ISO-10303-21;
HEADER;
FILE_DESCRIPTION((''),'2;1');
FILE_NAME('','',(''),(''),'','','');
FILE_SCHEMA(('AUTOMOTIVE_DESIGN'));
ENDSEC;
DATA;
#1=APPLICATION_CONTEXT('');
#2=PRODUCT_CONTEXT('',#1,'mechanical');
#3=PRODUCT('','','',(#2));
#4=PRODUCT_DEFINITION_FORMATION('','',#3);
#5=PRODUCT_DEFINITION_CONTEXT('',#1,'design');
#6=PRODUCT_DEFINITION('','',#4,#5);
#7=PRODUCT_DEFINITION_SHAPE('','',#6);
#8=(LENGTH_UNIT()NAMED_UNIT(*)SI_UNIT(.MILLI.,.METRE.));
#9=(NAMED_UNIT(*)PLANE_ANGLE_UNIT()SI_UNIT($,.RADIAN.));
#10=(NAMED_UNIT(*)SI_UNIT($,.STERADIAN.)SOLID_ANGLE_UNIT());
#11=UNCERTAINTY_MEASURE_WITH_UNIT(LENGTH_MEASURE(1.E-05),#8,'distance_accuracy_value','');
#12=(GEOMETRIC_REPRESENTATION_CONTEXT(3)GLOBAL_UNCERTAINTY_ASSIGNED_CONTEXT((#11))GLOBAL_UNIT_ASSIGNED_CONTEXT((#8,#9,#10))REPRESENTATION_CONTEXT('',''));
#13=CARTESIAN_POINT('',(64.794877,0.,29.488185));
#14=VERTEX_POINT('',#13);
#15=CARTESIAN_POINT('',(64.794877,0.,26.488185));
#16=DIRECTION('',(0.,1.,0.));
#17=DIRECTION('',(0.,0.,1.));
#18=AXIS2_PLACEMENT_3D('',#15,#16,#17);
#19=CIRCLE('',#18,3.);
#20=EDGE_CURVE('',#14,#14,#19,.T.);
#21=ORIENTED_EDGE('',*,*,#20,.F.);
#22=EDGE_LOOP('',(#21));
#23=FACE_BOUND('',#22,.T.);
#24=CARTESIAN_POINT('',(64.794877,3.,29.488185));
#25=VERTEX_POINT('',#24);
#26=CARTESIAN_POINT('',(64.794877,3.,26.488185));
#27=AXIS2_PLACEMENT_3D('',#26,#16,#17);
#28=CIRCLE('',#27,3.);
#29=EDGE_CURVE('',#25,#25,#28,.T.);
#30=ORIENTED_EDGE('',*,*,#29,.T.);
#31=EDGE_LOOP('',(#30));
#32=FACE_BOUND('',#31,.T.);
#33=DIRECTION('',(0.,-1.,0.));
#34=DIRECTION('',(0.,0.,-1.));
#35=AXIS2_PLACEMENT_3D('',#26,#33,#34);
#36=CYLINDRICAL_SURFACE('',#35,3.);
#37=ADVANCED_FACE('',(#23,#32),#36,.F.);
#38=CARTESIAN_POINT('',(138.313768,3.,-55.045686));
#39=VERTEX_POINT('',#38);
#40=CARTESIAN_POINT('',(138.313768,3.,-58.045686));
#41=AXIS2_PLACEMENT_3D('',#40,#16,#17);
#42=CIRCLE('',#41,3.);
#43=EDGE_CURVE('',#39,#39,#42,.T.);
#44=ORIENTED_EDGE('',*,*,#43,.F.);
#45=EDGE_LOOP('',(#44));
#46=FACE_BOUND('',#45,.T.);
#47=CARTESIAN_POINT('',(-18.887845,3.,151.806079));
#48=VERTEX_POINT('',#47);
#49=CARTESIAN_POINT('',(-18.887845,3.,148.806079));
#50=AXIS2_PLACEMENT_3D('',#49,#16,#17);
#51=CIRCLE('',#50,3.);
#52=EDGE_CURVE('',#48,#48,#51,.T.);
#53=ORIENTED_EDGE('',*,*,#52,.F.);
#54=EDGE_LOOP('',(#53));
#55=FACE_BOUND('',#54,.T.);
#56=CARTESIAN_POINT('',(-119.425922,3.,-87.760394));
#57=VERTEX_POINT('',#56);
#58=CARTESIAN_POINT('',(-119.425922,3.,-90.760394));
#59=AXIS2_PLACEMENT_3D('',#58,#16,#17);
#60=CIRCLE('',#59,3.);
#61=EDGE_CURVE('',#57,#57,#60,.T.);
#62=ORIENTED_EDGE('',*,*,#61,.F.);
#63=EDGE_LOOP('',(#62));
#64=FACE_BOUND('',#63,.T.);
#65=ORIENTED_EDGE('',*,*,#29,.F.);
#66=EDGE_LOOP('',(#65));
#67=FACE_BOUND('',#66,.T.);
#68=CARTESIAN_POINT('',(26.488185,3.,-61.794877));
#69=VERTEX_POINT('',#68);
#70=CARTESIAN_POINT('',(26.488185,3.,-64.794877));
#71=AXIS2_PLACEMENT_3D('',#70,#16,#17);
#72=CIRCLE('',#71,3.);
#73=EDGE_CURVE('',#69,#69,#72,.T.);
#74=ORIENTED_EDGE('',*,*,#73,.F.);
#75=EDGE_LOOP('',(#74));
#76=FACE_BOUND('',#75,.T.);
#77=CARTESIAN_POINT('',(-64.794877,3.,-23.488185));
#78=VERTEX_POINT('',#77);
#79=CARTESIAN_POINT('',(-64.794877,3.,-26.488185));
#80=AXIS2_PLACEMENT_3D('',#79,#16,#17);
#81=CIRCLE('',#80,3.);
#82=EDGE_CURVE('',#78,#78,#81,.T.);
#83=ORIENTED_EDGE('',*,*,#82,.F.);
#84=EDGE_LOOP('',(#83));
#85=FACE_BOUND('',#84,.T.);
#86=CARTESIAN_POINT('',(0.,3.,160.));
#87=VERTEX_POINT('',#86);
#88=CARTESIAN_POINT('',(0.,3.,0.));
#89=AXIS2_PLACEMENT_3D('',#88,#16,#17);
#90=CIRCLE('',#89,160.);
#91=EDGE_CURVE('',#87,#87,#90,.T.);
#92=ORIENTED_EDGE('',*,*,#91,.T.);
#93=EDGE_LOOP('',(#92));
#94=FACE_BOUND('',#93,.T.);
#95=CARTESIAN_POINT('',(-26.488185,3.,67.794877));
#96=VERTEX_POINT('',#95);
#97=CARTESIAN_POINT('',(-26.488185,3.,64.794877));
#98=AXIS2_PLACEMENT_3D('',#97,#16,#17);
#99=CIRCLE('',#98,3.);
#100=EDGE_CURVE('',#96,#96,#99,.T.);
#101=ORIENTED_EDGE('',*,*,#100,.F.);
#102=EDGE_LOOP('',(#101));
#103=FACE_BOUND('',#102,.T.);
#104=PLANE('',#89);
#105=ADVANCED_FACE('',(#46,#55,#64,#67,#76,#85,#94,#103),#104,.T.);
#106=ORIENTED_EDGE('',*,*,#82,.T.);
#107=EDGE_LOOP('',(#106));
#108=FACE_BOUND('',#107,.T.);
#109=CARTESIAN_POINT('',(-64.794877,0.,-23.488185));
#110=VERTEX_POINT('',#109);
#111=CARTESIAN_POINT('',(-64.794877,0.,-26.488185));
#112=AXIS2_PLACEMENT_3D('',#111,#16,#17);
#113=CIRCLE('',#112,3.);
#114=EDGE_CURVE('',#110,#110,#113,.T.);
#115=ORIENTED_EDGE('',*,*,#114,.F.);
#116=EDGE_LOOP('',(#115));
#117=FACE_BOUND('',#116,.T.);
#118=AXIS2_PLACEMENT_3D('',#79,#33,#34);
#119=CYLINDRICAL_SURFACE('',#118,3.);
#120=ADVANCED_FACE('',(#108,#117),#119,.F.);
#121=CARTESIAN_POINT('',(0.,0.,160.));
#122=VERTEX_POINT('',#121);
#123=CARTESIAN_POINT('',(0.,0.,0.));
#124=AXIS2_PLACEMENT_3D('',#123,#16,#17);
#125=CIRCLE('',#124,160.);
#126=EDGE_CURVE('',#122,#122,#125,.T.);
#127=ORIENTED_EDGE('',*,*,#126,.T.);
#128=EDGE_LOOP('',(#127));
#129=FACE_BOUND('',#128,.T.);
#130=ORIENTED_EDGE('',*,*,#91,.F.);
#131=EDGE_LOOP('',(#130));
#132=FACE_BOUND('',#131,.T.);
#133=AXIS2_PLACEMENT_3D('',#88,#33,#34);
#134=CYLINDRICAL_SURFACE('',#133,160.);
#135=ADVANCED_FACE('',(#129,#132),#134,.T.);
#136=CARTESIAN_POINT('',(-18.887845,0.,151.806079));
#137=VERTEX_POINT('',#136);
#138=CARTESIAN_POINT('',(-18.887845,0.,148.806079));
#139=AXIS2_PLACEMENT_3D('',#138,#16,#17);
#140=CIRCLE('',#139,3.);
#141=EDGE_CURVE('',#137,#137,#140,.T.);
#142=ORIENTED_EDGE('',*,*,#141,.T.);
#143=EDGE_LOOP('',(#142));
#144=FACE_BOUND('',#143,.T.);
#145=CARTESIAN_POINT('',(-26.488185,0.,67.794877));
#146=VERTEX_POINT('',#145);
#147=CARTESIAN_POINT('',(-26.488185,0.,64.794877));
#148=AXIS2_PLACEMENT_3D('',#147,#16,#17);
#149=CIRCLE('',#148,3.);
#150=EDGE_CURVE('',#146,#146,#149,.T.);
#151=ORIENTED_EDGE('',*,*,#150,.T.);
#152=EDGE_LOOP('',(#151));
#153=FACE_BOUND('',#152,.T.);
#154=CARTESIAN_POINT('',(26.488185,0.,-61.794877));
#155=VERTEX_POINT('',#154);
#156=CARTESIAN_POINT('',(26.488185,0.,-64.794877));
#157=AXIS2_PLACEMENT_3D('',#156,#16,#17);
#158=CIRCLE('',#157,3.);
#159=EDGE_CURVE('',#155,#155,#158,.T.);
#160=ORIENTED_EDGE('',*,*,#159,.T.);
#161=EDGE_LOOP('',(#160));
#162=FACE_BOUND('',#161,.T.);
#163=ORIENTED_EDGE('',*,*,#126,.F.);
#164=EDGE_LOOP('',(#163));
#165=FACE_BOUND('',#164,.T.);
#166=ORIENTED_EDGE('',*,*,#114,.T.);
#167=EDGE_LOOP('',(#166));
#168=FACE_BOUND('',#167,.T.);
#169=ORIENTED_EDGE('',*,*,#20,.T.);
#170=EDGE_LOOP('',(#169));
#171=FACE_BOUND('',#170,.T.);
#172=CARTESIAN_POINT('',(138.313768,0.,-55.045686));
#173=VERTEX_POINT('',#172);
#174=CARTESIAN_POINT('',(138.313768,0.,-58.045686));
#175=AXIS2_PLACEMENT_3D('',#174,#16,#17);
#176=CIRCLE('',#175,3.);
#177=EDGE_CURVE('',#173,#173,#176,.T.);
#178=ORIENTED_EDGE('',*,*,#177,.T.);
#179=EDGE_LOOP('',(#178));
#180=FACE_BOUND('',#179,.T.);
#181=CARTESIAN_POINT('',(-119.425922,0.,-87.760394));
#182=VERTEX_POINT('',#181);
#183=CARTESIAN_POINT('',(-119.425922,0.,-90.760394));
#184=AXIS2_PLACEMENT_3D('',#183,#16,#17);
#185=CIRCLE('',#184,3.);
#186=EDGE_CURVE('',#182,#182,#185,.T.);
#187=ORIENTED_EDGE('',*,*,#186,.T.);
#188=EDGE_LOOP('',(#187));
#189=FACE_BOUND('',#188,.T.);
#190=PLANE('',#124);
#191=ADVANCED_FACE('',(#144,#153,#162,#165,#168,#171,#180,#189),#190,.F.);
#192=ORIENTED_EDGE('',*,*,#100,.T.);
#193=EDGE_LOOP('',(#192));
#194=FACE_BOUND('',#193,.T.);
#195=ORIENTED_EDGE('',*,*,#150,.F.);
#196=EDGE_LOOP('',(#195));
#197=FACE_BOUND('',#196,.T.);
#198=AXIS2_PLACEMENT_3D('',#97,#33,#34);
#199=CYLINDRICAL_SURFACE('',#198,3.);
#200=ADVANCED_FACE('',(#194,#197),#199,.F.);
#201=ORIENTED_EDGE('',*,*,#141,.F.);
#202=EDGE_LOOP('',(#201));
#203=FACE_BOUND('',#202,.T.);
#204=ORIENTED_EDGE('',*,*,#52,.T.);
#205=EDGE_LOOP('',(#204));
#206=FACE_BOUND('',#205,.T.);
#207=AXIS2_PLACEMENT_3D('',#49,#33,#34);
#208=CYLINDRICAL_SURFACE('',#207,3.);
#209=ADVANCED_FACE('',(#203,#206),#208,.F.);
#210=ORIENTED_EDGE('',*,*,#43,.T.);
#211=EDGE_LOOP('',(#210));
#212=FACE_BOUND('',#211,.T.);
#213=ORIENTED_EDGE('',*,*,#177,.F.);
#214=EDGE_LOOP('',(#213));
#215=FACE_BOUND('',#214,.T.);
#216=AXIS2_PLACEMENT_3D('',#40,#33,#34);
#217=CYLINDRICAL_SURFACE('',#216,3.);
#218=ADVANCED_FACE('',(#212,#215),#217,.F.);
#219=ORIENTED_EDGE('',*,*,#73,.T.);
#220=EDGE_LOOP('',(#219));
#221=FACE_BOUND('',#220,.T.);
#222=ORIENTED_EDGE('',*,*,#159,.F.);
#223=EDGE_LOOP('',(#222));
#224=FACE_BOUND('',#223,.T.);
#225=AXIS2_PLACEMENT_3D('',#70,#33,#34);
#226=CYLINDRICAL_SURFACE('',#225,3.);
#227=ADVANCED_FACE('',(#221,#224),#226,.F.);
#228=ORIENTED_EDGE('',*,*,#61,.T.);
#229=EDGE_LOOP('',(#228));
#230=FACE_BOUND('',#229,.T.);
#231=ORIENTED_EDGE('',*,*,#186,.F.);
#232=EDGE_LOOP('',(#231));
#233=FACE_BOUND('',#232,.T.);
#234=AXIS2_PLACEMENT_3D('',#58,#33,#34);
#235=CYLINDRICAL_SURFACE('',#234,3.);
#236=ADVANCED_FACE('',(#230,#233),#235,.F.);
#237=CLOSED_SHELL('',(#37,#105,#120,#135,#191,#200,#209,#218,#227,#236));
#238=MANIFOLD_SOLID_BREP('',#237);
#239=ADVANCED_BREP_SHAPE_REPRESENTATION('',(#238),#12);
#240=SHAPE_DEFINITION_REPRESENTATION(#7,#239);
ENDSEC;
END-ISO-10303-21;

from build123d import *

# Parameters (mm, degrees)
CROQUIS1_R              = 160
CROQUIS1_R_2            = 3
SALIENTE_EXTRUIR2_DEPTH = 3


with BuildPart() as part:
    # Croquis1 → Saliente-Extruir2 (new body)
    with BuildSketch(Plane(origin=(0, 0, 0), x_dir=(1, 0, 0), z_dir=(0, 1, 0))):
        Circle(CROQUIS1_R)
        with Locations((138.31376779, 58.045685797)):
            Circle(CROQUIS1_R_2, mode=Mode.SUBTRACT)
        with Locations((-18.887845415, -148.806079498)):
            Circle(CROQUIS1_R_2, mode=Mode.SUBTRACT)
        with Locations((-64.794876894, 26.488184691)):
            Circle(CROQUIS1_R_2, mode=Mode.SUBTRACT)
        with Locations((26.488184691, 64.794876894)):
            Circle(CROQUIS1_R_2, mode=Mode.SUBTRACT)
        with Locations((64.794876894, -26.488184691)):
            Circle(CROQUIS1_R_2, mode=Mode.SUBTRACT)
        with Locations((-26.488184691, -64.794876894)):
            Circle(CROQUIS1_R_2, mode=Mode.SUBTRACT)
        with Locations((-119.425922375, 90.760393701)):
            Circle(CROQUIS1_R_2, mode=Mode.SUBTRACT)
    extrude(amount=SALIENTE_EXTRUIR2_DEPTH)


solid = part.part
